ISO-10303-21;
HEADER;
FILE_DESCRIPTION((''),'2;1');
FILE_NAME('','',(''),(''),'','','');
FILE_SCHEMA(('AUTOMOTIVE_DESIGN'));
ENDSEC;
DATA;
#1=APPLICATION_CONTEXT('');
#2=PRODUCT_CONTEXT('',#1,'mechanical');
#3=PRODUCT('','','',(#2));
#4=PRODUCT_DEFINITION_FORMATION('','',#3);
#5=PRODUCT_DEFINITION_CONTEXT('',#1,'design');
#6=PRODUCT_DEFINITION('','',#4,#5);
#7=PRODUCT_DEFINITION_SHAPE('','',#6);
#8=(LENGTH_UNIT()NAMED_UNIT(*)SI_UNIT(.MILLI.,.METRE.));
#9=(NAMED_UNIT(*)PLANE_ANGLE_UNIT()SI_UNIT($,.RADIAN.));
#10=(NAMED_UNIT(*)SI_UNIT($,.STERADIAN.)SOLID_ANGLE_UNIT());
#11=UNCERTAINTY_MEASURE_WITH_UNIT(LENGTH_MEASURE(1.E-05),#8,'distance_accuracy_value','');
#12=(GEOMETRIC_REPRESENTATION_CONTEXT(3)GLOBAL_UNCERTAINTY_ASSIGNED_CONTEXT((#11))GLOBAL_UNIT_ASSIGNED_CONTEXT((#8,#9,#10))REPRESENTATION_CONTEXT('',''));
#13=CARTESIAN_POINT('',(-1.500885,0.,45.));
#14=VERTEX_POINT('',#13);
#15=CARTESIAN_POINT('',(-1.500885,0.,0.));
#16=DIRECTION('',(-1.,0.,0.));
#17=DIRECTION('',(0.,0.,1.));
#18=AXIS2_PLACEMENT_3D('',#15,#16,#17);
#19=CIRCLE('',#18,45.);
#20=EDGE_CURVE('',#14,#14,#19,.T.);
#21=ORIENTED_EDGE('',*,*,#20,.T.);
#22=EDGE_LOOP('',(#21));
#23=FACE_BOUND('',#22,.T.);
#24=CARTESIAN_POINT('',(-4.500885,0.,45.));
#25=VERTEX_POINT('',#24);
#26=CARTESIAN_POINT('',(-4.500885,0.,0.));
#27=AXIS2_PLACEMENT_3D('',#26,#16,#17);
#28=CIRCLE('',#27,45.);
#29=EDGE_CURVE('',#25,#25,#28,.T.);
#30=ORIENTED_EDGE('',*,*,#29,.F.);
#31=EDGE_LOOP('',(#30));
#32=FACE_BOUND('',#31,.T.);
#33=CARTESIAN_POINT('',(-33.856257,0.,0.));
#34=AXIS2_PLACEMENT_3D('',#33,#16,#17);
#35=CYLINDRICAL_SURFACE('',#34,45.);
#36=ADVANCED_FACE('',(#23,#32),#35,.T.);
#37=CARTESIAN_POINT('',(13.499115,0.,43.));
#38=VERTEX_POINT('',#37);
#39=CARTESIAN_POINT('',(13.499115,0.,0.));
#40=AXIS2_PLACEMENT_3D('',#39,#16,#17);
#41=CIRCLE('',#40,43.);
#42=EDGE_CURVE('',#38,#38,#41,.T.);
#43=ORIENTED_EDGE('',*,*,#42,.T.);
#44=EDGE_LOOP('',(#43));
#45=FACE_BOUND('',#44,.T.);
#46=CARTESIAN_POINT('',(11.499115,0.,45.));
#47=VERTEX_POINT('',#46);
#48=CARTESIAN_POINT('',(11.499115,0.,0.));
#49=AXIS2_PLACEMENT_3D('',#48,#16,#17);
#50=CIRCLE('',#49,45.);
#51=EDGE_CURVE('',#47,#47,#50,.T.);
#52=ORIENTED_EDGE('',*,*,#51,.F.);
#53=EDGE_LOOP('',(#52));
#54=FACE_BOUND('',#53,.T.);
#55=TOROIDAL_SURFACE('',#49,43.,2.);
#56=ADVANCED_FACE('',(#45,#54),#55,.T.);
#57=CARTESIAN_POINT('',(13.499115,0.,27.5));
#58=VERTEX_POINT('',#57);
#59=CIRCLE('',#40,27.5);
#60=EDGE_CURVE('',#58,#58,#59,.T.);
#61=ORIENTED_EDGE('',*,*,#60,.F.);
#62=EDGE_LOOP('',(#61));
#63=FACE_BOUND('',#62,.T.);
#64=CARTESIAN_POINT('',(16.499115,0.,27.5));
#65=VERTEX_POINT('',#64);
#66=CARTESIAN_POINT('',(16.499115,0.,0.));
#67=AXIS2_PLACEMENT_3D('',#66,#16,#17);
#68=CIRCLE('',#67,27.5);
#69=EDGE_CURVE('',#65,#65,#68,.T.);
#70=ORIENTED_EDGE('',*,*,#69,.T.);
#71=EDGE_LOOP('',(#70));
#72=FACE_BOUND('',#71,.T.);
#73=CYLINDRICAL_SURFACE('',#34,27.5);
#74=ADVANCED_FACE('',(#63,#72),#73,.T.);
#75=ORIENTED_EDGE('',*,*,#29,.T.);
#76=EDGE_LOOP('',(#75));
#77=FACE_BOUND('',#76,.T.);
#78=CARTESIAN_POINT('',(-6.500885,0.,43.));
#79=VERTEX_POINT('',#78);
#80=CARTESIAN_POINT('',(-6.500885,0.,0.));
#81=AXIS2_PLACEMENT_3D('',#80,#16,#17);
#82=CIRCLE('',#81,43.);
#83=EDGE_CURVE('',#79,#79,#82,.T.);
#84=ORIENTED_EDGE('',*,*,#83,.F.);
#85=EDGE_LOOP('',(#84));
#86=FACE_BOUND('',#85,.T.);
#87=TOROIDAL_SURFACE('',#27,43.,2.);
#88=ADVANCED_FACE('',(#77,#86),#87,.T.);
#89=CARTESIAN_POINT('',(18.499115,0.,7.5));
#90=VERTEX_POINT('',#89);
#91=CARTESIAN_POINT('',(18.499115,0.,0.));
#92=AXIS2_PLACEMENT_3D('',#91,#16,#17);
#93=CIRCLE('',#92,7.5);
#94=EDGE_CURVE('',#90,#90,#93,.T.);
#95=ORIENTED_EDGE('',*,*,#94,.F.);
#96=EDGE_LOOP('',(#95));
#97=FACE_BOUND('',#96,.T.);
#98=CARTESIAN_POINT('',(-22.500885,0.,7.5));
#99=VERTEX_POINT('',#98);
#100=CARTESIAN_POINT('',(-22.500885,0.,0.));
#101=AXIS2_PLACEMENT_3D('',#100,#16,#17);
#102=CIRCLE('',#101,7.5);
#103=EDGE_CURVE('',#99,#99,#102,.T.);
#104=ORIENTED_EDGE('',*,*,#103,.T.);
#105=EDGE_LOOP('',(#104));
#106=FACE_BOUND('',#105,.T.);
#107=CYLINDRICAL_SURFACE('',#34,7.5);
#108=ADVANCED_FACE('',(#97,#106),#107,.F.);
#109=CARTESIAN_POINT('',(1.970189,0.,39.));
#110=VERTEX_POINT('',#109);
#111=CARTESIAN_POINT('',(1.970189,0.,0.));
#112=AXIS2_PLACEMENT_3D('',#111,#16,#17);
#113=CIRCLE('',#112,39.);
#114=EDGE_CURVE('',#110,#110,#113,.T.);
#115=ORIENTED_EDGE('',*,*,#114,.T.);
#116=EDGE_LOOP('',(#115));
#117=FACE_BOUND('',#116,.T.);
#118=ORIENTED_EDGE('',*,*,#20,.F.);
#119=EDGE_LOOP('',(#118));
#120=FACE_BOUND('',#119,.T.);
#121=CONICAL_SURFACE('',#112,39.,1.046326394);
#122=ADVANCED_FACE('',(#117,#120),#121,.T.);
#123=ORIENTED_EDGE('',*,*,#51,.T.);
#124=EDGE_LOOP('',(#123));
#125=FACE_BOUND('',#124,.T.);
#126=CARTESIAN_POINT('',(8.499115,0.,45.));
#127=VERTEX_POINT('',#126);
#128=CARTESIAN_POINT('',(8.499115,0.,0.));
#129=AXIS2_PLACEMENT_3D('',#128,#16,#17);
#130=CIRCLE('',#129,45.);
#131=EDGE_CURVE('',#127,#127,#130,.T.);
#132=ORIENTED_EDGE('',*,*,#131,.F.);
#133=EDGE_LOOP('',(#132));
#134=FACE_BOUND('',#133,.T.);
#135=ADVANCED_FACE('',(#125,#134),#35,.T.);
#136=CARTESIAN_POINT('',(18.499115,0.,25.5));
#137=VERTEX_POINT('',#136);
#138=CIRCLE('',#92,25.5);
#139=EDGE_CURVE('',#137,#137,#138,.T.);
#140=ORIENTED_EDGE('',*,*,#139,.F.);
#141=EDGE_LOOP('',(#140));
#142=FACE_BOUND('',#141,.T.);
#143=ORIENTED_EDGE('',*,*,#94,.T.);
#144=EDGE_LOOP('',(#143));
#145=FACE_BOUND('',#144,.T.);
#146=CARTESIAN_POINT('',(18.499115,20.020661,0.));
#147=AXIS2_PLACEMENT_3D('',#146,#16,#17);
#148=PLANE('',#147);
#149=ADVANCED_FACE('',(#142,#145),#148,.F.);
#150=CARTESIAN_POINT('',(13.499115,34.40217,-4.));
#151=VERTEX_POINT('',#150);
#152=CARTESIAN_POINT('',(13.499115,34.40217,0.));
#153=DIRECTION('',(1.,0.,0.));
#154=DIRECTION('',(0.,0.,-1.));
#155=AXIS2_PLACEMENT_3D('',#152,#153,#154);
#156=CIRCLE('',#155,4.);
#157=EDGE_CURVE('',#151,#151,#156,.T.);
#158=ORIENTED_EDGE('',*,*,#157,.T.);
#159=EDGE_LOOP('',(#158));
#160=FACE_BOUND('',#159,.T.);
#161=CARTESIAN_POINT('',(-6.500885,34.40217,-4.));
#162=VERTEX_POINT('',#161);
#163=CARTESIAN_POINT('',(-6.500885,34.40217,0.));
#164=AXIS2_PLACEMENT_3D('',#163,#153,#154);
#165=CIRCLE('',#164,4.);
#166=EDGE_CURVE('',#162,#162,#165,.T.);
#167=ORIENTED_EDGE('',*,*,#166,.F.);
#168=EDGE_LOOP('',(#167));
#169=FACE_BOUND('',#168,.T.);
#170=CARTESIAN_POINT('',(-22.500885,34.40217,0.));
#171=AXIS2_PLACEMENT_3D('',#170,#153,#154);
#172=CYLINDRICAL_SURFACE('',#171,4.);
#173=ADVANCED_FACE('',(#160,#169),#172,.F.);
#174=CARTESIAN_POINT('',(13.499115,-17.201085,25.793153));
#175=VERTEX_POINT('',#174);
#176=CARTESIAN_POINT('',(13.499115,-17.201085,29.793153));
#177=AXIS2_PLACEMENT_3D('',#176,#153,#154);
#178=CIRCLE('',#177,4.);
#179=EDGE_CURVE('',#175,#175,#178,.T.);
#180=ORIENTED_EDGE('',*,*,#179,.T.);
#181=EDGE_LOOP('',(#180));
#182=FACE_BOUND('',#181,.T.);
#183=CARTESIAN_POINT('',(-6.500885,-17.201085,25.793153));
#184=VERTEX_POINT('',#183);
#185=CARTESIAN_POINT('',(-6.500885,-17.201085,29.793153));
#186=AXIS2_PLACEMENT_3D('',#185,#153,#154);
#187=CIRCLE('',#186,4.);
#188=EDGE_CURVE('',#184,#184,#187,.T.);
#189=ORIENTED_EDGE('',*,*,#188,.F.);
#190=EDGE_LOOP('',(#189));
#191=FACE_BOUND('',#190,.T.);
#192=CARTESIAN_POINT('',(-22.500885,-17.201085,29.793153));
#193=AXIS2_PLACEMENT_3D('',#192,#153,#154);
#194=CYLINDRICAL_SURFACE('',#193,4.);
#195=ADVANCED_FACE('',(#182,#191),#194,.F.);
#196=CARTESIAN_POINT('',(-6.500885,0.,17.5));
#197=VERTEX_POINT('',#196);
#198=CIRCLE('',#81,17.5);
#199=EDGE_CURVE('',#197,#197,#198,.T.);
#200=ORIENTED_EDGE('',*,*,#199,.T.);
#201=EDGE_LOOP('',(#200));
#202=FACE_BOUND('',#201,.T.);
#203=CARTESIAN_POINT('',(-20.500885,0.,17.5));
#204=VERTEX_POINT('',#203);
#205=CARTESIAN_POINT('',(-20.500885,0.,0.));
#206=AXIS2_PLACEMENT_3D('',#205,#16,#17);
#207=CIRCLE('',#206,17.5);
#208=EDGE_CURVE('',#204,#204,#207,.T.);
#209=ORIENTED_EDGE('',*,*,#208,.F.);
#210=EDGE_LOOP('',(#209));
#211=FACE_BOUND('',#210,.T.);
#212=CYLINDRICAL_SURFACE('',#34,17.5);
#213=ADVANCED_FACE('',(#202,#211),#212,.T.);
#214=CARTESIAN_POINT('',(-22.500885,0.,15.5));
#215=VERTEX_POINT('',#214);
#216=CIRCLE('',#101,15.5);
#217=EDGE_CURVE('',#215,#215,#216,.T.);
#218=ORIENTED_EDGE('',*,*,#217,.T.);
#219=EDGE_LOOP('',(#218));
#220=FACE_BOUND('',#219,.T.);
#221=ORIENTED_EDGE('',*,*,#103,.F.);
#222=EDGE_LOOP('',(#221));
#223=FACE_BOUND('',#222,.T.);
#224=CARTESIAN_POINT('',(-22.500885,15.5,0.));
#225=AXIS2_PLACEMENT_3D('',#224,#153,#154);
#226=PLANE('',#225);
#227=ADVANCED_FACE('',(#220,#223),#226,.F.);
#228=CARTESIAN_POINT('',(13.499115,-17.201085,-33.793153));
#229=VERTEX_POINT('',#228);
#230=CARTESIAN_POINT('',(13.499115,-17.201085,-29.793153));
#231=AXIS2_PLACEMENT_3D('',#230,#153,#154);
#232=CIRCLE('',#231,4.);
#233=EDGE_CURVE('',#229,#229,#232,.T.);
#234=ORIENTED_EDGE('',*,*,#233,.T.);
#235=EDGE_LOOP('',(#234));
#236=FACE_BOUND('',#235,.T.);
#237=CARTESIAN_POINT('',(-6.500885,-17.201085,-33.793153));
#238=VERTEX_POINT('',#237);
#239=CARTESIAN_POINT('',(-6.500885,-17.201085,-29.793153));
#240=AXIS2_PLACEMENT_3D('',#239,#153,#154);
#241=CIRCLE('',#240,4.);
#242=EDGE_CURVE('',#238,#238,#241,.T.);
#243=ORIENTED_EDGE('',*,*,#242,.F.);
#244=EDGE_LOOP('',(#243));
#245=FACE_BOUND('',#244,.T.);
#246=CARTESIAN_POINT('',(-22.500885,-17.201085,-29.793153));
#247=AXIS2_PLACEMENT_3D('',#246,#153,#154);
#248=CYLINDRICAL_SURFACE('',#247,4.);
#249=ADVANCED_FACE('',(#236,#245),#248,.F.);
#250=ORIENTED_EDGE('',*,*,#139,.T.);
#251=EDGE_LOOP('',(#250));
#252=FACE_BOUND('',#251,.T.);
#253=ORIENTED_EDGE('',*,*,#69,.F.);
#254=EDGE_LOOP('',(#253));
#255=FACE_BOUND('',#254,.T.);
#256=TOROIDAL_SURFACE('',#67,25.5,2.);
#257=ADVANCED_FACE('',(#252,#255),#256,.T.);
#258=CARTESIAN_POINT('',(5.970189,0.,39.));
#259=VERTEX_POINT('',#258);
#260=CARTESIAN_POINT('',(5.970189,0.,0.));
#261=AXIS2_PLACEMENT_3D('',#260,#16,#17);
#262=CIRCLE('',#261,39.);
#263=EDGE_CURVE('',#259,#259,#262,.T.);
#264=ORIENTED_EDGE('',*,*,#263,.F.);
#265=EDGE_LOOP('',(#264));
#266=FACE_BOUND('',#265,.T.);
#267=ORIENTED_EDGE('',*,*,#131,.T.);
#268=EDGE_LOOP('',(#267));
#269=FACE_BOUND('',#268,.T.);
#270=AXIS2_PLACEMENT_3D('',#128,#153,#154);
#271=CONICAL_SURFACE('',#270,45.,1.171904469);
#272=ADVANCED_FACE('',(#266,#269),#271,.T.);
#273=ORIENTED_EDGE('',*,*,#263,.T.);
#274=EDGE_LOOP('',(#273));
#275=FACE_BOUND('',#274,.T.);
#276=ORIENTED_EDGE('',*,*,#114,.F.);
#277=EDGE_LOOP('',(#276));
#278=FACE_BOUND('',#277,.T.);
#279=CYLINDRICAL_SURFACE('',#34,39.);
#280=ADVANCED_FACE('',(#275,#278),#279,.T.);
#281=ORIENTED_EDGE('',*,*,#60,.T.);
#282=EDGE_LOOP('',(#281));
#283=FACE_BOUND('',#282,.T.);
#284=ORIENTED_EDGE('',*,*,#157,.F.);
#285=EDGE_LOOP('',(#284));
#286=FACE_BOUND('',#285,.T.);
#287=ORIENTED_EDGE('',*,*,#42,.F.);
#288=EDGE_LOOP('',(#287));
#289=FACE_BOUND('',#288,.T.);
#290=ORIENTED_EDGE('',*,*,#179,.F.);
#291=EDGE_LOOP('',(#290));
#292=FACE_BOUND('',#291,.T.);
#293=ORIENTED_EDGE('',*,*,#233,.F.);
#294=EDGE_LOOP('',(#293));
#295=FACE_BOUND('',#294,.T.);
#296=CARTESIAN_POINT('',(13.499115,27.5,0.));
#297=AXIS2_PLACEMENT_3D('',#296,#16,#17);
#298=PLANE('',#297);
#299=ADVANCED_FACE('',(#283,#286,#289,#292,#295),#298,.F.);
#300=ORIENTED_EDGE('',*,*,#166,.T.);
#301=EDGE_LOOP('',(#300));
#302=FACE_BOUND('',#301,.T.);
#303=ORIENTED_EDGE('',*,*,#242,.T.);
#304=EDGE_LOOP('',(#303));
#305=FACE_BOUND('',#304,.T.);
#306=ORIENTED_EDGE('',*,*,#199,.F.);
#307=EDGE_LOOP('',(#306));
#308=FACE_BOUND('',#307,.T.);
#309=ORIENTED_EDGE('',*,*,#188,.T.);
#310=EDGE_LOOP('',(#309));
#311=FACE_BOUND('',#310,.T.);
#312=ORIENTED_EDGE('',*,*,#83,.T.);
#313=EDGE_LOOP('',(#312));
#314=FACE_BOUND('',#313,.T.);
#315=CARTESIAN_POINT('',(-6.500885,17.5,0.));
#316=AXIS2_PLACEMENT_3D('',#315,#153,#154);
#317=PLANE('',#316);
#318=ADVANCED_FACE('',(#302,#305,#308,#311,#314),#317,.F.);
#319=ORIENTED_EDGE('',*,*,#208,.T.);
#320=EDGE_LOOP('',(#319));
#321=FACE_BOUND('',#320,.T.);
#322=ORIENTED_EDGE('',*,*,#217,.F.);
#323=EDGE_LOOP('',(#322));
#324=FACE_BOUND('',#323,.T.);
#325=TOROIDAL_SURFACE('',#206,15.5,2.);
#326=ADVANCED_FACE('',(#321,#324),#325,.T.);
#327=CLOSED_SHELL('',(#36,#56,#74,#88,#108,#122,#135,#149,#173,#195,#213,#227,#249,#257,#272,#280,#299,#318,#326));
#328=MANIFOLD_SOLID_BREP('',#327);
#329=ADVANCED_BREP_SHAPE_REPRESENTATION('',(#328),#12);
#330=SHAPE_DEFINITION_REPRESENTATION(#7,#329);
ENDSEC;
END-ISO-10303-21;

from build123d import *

# Parameters (mm, degrees)
IZIM2_R               = 4
KES_EKSTR_ZYON2_DEPTH = 74.116345765


with BuildPart() as part:
    # Çizim1 → Döndür2 (revolve)
    with BuildSketch(Plane.XY, mode=Mode.PRIVATE) as d_nd_r2_sk:
        with BuildLine():
            Line((-1.500885478, 45), (1.970188902, 39))
            Line((1.970188902, 39), (5.970188902, 39))
            Line((5.970188902, 39), (8.499114522, 45))
            Line((8.499114522, 45), (11.499114522, 45))
            ThreePointArc((11.499114522, 45), (12.913328084, 44.414213562), (13.499114522, 43))
            Line((13.499114522, 43), (13.499114522, 27.5))
            Line((13.499114522, 27.5), (16.499114522, 27.5))
            ThreePointArc((16.499114522, 27.5), (17.913328084, 26.914213562), (18.499114522, 25.5))
            Line((18.499114522, 25.5), (18.499114522, 20.020661157))
            Line((18.499114522, 20.020661157), (18.499114522, 7.5))
            Line((18.499114522, 7.5), (-22.500885478, 7.5))
            Line((-22.500885478, 7.5), (-22.500885478, 15.5))
            ThreePointArc((-22.500885478, 15.5), (-21.915099041, 16.914213562), (-20.500885478, 17.5))
            Line((-20.500885478, 17.5), (-6.500885478, 17.5))
            Line((-6.500885478, 17.5), (-6.500885478, 24.44214876))
            Line((-6.500885478, 24.44214876), (-6.500885478, 43))
            ThreePointArc((-6.500885478, 43), (-5.915099041, 44.414213562), (-4.500885478, 45))
            Line((-4.500885478, 45), (-1.500885478, 45))
        make_face()
    revolve(d_nd_r2_sk.sketch.rotate(Axis((-33.856257379, 0, 0), (1, 0, 0)), 90), axis=Axis((-33.856257379, 0, 0), (1, 0, 0)))

    # Çizim2 → Kes-Ekstrüzyon2 (cut, through all)
    with BuildSketch(Plane(origin=(13.499114522, 0, 0), x_dir=(0, 0, -1), z_dir=(1, 0, 0))):
        with Locations((0, 34.402169776)):
            Circle(IZIM2_R)
        with Locations((29.793152971, -17.201084888)):
            Circle(IZIM2_R)
        with Locations((-29.793152971, -17.201084888)):
            Circle(IZIM2_R)
    extrude(amount=-KES_EKSTR_ZYON2_DEPTH, mode=Mode.SUBTRACT)


solid = part.part
